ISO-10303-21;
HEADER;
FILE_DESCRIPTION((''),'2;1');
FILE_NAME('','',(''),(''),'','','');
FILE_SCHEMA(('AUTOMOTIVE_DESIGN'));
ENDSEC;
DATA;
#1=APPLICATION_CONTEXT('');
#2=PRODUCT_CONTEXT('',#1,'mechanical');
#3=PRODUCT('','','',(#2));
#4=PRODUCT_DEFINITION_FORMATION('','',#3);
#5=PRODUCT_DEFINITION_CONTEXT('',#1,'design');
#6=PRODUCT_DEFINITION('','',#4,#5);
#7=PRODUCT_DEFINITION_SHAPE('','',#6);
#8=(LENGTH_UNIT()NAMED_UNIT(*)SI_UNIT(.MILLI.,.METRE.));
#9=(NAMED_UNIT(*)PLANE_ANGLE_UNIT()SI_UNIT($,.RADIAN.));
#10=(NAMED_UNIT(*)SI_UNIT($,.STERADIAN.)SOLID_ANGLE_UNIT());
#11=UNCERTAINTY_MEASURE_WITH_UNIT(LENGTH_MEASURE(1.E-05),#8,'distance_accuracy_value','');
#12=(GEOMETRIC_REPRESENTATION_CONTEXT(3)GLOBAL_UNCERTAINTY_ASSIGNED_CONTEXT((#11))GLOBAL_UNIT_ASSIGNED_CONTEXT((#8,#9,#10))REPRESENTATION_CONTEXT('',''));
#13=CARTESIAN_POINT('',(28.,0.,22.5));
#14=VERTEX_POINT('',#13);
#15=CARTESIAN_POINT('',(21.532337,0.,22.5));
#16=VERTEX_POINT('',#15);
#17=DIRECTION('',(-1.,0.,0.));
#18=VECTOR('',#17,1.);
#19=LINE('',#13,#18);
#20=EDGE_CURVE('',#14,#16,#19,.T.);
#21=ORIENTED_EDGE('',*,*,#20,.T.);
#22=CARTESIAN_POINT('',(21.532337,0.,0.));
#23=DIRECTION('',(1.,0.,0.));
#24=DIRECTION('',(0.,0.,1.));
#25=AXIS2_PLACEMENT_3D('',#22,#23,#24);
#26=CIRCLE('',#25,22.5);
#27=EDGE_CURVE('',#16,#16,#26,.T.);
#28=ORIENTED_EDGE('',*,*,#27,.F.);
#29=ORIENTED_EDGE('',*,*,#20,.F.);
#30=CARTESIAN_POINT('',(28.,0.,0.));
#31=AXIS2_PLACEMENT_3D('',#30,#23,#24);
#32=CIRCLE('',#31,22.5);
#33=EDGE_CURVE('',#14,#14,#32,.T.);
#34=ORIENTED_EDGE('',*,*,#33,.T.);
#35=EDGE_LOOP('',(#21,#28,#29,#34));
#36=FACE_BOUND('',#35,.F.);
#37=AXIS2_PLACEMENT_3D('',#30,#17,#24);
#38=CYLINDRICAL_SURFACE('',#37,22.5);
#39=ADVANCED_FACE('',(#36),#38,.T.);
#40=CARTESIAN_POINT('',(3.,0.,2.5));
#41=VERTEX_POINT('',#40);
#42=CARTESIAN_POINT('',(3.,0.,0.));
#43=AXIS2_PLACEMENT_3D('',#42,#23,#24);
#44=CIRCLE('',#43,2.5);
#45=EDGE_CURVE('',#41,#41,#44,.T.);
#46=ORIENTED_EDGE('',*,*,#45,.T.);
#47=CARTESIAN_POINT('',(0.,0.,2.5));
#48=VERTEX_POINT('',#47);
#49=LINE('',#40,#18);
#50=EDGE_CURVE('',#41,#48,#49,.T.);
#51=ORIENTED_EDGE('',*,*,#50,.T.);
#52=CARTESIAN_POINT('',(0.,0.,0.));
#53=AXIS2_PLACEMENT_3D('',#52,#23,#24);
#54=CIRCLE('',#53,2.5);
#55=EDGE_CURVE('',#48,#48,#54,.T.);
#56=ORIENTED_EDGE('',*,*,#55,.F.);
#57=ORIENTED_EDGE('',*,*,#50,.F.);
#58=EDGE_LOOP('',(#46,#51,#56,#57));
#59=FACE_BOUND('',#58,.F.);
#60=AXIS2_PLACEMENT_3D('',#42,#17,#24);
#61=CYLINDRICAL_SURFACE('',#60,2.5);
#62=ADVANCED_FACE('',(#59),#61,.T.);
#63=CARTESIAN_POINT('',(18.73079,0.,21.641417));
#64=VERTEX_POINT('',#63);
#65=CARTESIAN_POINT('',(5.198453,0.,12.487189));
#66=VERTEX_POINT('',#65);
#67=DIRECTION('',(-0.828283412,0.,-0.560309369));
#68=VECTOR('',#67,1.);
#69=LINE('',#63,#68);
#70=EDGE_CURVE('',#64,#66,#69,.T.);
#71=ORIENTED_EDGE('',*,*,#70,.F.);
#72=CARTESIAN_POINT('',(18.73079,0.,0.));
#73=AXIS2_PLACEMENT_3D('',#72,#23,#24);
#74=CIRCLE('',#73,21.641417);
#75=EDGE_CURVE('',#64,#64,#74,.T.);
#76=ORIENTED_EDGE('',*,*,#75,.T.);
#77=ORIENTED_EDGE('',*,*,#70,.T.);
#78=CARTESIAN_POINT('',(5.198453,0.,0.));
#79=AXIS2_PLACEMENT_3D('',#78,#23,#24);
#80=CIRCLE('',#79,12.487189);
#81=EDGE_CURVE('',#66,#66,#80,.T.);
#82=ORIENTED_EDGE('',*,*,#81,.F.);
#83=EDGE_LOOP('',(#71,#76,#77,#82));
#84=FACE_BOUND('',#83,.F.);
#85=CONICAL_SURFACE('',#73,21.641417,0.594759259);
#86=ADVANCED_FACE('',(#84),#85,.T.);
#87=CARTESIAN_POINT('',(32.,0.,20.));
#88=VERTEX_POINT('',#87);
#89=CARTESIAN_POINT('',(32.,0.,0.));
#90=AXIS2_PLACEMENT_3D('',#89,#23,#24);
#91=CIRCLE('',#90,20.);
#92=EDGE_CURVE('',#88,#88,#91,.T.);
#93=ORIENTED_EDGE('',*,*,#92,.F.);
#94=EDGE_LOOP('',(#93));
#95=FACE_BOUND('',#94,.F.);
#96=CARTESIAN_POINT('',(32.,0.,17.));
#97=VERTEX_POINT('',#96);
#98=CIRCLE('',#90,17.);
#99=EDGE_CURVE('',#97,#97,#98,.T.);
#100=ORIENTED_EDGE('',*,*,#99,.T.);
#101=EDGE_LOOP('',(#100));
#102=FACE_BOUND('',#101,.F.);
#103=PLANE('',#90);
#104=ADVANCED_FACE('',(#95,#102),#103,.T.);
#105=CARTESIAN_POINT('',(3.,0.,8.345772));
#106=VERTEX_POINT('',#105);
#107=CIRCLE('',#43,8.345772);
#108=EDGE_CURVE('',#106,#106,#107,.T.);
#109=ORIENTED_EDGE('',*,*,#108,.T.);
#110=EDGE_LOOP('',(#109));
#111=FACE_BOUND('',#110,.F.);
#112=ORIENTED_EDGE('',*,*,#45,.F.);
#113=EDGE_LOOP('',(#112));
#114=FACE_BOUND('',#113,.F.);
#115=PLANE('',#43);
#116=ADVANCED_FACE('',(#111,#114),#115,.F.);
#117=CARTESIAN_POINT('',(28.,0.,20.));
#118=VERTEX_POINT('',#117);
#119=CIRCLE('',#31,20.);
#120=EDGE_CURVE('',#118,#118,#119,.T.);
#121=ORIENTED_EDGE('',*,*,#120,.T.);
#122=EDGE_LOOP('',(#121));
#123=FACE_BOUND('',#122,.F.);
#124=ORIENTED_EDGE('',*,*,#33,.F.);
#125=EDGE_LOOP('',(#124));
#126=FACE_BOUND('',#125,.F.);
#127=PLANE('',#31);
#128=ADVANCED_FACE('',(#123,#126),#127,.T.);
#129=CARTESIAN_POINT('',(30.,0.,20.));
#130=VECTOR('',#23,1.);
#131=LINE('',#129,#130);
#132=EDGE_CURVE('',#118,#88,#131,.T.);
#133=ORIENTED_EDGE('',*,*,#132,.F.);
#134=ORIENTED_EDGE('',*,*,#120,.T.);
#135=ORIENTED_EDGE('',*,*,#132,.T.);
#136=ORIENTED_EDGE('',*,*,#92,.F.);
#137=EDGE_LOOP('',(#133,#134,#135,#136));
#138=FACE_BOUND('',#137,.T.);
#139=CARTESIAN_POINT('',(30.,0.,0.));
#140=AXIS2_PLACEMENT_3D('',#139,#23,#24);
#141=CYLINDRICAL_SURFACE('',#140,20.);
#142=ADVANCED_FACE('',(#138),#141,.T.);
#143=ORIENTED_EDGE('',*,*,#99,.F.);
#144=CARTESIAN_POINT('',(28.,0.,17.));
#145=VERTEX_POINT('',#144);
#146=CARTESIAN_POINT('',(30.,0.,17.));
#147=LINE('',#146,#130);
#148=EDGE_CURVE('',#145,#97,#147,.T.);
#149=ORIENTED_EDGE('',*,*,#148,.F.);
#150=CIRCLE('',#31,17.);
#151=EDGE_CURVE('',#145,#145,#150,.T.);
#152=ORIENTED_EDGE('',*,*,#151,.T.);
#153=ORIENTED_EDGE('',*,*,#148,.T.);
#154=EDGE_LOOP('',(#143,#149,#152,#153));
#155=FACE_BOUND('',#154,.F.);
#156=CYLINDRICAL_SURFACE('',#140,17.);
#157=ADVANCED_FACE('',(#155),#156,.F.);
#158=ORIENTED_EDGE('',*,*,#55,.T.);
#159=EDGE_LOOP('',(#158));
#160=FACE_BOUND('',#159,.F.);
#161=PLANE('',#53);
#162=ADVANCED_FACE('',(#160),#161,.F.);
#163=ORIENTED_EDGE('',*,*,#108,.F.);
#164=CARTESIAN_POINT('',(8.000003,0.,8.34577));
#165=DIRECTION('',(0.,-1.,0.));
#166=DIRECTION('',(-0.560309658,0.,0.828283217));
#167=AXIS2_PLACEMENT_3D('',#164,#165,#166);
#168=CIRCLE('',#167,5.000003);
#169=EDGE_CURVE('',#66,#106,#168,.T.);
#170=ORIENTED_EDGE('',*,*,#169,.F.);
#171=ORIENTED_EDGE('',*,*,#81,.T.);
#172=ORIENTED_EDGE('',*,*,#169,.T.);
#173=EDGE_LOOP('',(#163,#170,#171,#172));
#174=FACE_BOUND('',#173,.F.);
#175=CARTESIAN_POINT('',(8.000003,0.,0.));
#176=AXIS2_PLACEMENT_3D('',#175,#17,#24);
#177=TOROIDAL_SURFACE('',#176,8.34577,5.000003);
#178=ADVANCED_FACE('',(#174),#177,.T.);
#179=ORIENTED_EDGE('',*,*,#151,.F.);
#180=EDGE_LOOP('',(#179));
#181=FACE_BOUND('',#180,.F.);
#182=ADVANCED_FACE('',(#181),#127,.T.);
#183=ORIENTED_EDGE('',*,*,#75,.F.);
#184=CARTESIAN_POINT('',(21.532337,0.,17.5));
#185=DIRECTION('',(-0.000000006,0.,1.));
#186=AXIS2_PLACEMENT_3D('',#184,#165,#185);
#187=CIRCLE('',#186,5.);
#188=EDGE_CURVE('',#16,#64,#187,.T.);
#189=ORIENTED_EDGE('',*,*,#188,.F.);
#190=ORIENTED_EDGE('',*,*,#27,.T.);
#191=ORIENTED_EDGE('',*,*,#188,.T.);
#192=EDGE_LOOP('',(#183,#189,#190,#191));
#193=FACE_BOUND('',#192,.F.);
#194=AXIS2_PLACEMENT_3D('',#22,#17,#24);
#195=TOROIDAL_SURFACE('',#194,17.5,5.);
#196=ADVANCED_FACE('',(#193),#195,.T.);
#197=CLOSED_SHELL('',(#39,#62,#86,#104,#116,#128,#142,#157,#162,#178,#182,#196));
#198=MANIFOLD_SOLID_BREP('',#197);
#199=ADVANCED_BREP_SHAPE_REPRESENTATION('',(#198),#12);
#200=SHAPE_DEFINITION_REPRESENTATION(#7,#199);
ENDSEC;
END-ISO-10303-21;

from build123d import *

# Parameters (mm, degrees)
F0_W = 4
F0_H = 3


with BuildPart() as f1:
    # F0 (on Front) → F1 (revolve)
    with BuildSketch(Plane.XZ):
        with BuildLine():
            Line((0, 2.5), (0, 0))
            Line((0, 0), (28, 0))
            Line((28, 0), (28, 17))
            Line((28, 17), (28, 20))
            Line((28, 20), (28, 22.5))
            Line((28, 22.5), (21.532337, 22.5))
            ThreePointArc((21.532337, 22.5), (20.067258, 22.280538), (18.73079, 21.641417))
            Line((18.73079, 21.641417), (5.198453, 12.487189))
            ThreePointArc((5.198453, 12.487189), (3.583682, 10.690155), (3, 8.345772))
            Line((3, 8.345772), (3, 2.5))
            Line((3, 2.5), (0, 2.5))
        make_face()
        with Locations((30, 18.5)):
            Rectangle(F0_W, F0_H)
    revolve(axis=Axis((14, 0, 0), (1, 0, 0)))


solid = f1.part
